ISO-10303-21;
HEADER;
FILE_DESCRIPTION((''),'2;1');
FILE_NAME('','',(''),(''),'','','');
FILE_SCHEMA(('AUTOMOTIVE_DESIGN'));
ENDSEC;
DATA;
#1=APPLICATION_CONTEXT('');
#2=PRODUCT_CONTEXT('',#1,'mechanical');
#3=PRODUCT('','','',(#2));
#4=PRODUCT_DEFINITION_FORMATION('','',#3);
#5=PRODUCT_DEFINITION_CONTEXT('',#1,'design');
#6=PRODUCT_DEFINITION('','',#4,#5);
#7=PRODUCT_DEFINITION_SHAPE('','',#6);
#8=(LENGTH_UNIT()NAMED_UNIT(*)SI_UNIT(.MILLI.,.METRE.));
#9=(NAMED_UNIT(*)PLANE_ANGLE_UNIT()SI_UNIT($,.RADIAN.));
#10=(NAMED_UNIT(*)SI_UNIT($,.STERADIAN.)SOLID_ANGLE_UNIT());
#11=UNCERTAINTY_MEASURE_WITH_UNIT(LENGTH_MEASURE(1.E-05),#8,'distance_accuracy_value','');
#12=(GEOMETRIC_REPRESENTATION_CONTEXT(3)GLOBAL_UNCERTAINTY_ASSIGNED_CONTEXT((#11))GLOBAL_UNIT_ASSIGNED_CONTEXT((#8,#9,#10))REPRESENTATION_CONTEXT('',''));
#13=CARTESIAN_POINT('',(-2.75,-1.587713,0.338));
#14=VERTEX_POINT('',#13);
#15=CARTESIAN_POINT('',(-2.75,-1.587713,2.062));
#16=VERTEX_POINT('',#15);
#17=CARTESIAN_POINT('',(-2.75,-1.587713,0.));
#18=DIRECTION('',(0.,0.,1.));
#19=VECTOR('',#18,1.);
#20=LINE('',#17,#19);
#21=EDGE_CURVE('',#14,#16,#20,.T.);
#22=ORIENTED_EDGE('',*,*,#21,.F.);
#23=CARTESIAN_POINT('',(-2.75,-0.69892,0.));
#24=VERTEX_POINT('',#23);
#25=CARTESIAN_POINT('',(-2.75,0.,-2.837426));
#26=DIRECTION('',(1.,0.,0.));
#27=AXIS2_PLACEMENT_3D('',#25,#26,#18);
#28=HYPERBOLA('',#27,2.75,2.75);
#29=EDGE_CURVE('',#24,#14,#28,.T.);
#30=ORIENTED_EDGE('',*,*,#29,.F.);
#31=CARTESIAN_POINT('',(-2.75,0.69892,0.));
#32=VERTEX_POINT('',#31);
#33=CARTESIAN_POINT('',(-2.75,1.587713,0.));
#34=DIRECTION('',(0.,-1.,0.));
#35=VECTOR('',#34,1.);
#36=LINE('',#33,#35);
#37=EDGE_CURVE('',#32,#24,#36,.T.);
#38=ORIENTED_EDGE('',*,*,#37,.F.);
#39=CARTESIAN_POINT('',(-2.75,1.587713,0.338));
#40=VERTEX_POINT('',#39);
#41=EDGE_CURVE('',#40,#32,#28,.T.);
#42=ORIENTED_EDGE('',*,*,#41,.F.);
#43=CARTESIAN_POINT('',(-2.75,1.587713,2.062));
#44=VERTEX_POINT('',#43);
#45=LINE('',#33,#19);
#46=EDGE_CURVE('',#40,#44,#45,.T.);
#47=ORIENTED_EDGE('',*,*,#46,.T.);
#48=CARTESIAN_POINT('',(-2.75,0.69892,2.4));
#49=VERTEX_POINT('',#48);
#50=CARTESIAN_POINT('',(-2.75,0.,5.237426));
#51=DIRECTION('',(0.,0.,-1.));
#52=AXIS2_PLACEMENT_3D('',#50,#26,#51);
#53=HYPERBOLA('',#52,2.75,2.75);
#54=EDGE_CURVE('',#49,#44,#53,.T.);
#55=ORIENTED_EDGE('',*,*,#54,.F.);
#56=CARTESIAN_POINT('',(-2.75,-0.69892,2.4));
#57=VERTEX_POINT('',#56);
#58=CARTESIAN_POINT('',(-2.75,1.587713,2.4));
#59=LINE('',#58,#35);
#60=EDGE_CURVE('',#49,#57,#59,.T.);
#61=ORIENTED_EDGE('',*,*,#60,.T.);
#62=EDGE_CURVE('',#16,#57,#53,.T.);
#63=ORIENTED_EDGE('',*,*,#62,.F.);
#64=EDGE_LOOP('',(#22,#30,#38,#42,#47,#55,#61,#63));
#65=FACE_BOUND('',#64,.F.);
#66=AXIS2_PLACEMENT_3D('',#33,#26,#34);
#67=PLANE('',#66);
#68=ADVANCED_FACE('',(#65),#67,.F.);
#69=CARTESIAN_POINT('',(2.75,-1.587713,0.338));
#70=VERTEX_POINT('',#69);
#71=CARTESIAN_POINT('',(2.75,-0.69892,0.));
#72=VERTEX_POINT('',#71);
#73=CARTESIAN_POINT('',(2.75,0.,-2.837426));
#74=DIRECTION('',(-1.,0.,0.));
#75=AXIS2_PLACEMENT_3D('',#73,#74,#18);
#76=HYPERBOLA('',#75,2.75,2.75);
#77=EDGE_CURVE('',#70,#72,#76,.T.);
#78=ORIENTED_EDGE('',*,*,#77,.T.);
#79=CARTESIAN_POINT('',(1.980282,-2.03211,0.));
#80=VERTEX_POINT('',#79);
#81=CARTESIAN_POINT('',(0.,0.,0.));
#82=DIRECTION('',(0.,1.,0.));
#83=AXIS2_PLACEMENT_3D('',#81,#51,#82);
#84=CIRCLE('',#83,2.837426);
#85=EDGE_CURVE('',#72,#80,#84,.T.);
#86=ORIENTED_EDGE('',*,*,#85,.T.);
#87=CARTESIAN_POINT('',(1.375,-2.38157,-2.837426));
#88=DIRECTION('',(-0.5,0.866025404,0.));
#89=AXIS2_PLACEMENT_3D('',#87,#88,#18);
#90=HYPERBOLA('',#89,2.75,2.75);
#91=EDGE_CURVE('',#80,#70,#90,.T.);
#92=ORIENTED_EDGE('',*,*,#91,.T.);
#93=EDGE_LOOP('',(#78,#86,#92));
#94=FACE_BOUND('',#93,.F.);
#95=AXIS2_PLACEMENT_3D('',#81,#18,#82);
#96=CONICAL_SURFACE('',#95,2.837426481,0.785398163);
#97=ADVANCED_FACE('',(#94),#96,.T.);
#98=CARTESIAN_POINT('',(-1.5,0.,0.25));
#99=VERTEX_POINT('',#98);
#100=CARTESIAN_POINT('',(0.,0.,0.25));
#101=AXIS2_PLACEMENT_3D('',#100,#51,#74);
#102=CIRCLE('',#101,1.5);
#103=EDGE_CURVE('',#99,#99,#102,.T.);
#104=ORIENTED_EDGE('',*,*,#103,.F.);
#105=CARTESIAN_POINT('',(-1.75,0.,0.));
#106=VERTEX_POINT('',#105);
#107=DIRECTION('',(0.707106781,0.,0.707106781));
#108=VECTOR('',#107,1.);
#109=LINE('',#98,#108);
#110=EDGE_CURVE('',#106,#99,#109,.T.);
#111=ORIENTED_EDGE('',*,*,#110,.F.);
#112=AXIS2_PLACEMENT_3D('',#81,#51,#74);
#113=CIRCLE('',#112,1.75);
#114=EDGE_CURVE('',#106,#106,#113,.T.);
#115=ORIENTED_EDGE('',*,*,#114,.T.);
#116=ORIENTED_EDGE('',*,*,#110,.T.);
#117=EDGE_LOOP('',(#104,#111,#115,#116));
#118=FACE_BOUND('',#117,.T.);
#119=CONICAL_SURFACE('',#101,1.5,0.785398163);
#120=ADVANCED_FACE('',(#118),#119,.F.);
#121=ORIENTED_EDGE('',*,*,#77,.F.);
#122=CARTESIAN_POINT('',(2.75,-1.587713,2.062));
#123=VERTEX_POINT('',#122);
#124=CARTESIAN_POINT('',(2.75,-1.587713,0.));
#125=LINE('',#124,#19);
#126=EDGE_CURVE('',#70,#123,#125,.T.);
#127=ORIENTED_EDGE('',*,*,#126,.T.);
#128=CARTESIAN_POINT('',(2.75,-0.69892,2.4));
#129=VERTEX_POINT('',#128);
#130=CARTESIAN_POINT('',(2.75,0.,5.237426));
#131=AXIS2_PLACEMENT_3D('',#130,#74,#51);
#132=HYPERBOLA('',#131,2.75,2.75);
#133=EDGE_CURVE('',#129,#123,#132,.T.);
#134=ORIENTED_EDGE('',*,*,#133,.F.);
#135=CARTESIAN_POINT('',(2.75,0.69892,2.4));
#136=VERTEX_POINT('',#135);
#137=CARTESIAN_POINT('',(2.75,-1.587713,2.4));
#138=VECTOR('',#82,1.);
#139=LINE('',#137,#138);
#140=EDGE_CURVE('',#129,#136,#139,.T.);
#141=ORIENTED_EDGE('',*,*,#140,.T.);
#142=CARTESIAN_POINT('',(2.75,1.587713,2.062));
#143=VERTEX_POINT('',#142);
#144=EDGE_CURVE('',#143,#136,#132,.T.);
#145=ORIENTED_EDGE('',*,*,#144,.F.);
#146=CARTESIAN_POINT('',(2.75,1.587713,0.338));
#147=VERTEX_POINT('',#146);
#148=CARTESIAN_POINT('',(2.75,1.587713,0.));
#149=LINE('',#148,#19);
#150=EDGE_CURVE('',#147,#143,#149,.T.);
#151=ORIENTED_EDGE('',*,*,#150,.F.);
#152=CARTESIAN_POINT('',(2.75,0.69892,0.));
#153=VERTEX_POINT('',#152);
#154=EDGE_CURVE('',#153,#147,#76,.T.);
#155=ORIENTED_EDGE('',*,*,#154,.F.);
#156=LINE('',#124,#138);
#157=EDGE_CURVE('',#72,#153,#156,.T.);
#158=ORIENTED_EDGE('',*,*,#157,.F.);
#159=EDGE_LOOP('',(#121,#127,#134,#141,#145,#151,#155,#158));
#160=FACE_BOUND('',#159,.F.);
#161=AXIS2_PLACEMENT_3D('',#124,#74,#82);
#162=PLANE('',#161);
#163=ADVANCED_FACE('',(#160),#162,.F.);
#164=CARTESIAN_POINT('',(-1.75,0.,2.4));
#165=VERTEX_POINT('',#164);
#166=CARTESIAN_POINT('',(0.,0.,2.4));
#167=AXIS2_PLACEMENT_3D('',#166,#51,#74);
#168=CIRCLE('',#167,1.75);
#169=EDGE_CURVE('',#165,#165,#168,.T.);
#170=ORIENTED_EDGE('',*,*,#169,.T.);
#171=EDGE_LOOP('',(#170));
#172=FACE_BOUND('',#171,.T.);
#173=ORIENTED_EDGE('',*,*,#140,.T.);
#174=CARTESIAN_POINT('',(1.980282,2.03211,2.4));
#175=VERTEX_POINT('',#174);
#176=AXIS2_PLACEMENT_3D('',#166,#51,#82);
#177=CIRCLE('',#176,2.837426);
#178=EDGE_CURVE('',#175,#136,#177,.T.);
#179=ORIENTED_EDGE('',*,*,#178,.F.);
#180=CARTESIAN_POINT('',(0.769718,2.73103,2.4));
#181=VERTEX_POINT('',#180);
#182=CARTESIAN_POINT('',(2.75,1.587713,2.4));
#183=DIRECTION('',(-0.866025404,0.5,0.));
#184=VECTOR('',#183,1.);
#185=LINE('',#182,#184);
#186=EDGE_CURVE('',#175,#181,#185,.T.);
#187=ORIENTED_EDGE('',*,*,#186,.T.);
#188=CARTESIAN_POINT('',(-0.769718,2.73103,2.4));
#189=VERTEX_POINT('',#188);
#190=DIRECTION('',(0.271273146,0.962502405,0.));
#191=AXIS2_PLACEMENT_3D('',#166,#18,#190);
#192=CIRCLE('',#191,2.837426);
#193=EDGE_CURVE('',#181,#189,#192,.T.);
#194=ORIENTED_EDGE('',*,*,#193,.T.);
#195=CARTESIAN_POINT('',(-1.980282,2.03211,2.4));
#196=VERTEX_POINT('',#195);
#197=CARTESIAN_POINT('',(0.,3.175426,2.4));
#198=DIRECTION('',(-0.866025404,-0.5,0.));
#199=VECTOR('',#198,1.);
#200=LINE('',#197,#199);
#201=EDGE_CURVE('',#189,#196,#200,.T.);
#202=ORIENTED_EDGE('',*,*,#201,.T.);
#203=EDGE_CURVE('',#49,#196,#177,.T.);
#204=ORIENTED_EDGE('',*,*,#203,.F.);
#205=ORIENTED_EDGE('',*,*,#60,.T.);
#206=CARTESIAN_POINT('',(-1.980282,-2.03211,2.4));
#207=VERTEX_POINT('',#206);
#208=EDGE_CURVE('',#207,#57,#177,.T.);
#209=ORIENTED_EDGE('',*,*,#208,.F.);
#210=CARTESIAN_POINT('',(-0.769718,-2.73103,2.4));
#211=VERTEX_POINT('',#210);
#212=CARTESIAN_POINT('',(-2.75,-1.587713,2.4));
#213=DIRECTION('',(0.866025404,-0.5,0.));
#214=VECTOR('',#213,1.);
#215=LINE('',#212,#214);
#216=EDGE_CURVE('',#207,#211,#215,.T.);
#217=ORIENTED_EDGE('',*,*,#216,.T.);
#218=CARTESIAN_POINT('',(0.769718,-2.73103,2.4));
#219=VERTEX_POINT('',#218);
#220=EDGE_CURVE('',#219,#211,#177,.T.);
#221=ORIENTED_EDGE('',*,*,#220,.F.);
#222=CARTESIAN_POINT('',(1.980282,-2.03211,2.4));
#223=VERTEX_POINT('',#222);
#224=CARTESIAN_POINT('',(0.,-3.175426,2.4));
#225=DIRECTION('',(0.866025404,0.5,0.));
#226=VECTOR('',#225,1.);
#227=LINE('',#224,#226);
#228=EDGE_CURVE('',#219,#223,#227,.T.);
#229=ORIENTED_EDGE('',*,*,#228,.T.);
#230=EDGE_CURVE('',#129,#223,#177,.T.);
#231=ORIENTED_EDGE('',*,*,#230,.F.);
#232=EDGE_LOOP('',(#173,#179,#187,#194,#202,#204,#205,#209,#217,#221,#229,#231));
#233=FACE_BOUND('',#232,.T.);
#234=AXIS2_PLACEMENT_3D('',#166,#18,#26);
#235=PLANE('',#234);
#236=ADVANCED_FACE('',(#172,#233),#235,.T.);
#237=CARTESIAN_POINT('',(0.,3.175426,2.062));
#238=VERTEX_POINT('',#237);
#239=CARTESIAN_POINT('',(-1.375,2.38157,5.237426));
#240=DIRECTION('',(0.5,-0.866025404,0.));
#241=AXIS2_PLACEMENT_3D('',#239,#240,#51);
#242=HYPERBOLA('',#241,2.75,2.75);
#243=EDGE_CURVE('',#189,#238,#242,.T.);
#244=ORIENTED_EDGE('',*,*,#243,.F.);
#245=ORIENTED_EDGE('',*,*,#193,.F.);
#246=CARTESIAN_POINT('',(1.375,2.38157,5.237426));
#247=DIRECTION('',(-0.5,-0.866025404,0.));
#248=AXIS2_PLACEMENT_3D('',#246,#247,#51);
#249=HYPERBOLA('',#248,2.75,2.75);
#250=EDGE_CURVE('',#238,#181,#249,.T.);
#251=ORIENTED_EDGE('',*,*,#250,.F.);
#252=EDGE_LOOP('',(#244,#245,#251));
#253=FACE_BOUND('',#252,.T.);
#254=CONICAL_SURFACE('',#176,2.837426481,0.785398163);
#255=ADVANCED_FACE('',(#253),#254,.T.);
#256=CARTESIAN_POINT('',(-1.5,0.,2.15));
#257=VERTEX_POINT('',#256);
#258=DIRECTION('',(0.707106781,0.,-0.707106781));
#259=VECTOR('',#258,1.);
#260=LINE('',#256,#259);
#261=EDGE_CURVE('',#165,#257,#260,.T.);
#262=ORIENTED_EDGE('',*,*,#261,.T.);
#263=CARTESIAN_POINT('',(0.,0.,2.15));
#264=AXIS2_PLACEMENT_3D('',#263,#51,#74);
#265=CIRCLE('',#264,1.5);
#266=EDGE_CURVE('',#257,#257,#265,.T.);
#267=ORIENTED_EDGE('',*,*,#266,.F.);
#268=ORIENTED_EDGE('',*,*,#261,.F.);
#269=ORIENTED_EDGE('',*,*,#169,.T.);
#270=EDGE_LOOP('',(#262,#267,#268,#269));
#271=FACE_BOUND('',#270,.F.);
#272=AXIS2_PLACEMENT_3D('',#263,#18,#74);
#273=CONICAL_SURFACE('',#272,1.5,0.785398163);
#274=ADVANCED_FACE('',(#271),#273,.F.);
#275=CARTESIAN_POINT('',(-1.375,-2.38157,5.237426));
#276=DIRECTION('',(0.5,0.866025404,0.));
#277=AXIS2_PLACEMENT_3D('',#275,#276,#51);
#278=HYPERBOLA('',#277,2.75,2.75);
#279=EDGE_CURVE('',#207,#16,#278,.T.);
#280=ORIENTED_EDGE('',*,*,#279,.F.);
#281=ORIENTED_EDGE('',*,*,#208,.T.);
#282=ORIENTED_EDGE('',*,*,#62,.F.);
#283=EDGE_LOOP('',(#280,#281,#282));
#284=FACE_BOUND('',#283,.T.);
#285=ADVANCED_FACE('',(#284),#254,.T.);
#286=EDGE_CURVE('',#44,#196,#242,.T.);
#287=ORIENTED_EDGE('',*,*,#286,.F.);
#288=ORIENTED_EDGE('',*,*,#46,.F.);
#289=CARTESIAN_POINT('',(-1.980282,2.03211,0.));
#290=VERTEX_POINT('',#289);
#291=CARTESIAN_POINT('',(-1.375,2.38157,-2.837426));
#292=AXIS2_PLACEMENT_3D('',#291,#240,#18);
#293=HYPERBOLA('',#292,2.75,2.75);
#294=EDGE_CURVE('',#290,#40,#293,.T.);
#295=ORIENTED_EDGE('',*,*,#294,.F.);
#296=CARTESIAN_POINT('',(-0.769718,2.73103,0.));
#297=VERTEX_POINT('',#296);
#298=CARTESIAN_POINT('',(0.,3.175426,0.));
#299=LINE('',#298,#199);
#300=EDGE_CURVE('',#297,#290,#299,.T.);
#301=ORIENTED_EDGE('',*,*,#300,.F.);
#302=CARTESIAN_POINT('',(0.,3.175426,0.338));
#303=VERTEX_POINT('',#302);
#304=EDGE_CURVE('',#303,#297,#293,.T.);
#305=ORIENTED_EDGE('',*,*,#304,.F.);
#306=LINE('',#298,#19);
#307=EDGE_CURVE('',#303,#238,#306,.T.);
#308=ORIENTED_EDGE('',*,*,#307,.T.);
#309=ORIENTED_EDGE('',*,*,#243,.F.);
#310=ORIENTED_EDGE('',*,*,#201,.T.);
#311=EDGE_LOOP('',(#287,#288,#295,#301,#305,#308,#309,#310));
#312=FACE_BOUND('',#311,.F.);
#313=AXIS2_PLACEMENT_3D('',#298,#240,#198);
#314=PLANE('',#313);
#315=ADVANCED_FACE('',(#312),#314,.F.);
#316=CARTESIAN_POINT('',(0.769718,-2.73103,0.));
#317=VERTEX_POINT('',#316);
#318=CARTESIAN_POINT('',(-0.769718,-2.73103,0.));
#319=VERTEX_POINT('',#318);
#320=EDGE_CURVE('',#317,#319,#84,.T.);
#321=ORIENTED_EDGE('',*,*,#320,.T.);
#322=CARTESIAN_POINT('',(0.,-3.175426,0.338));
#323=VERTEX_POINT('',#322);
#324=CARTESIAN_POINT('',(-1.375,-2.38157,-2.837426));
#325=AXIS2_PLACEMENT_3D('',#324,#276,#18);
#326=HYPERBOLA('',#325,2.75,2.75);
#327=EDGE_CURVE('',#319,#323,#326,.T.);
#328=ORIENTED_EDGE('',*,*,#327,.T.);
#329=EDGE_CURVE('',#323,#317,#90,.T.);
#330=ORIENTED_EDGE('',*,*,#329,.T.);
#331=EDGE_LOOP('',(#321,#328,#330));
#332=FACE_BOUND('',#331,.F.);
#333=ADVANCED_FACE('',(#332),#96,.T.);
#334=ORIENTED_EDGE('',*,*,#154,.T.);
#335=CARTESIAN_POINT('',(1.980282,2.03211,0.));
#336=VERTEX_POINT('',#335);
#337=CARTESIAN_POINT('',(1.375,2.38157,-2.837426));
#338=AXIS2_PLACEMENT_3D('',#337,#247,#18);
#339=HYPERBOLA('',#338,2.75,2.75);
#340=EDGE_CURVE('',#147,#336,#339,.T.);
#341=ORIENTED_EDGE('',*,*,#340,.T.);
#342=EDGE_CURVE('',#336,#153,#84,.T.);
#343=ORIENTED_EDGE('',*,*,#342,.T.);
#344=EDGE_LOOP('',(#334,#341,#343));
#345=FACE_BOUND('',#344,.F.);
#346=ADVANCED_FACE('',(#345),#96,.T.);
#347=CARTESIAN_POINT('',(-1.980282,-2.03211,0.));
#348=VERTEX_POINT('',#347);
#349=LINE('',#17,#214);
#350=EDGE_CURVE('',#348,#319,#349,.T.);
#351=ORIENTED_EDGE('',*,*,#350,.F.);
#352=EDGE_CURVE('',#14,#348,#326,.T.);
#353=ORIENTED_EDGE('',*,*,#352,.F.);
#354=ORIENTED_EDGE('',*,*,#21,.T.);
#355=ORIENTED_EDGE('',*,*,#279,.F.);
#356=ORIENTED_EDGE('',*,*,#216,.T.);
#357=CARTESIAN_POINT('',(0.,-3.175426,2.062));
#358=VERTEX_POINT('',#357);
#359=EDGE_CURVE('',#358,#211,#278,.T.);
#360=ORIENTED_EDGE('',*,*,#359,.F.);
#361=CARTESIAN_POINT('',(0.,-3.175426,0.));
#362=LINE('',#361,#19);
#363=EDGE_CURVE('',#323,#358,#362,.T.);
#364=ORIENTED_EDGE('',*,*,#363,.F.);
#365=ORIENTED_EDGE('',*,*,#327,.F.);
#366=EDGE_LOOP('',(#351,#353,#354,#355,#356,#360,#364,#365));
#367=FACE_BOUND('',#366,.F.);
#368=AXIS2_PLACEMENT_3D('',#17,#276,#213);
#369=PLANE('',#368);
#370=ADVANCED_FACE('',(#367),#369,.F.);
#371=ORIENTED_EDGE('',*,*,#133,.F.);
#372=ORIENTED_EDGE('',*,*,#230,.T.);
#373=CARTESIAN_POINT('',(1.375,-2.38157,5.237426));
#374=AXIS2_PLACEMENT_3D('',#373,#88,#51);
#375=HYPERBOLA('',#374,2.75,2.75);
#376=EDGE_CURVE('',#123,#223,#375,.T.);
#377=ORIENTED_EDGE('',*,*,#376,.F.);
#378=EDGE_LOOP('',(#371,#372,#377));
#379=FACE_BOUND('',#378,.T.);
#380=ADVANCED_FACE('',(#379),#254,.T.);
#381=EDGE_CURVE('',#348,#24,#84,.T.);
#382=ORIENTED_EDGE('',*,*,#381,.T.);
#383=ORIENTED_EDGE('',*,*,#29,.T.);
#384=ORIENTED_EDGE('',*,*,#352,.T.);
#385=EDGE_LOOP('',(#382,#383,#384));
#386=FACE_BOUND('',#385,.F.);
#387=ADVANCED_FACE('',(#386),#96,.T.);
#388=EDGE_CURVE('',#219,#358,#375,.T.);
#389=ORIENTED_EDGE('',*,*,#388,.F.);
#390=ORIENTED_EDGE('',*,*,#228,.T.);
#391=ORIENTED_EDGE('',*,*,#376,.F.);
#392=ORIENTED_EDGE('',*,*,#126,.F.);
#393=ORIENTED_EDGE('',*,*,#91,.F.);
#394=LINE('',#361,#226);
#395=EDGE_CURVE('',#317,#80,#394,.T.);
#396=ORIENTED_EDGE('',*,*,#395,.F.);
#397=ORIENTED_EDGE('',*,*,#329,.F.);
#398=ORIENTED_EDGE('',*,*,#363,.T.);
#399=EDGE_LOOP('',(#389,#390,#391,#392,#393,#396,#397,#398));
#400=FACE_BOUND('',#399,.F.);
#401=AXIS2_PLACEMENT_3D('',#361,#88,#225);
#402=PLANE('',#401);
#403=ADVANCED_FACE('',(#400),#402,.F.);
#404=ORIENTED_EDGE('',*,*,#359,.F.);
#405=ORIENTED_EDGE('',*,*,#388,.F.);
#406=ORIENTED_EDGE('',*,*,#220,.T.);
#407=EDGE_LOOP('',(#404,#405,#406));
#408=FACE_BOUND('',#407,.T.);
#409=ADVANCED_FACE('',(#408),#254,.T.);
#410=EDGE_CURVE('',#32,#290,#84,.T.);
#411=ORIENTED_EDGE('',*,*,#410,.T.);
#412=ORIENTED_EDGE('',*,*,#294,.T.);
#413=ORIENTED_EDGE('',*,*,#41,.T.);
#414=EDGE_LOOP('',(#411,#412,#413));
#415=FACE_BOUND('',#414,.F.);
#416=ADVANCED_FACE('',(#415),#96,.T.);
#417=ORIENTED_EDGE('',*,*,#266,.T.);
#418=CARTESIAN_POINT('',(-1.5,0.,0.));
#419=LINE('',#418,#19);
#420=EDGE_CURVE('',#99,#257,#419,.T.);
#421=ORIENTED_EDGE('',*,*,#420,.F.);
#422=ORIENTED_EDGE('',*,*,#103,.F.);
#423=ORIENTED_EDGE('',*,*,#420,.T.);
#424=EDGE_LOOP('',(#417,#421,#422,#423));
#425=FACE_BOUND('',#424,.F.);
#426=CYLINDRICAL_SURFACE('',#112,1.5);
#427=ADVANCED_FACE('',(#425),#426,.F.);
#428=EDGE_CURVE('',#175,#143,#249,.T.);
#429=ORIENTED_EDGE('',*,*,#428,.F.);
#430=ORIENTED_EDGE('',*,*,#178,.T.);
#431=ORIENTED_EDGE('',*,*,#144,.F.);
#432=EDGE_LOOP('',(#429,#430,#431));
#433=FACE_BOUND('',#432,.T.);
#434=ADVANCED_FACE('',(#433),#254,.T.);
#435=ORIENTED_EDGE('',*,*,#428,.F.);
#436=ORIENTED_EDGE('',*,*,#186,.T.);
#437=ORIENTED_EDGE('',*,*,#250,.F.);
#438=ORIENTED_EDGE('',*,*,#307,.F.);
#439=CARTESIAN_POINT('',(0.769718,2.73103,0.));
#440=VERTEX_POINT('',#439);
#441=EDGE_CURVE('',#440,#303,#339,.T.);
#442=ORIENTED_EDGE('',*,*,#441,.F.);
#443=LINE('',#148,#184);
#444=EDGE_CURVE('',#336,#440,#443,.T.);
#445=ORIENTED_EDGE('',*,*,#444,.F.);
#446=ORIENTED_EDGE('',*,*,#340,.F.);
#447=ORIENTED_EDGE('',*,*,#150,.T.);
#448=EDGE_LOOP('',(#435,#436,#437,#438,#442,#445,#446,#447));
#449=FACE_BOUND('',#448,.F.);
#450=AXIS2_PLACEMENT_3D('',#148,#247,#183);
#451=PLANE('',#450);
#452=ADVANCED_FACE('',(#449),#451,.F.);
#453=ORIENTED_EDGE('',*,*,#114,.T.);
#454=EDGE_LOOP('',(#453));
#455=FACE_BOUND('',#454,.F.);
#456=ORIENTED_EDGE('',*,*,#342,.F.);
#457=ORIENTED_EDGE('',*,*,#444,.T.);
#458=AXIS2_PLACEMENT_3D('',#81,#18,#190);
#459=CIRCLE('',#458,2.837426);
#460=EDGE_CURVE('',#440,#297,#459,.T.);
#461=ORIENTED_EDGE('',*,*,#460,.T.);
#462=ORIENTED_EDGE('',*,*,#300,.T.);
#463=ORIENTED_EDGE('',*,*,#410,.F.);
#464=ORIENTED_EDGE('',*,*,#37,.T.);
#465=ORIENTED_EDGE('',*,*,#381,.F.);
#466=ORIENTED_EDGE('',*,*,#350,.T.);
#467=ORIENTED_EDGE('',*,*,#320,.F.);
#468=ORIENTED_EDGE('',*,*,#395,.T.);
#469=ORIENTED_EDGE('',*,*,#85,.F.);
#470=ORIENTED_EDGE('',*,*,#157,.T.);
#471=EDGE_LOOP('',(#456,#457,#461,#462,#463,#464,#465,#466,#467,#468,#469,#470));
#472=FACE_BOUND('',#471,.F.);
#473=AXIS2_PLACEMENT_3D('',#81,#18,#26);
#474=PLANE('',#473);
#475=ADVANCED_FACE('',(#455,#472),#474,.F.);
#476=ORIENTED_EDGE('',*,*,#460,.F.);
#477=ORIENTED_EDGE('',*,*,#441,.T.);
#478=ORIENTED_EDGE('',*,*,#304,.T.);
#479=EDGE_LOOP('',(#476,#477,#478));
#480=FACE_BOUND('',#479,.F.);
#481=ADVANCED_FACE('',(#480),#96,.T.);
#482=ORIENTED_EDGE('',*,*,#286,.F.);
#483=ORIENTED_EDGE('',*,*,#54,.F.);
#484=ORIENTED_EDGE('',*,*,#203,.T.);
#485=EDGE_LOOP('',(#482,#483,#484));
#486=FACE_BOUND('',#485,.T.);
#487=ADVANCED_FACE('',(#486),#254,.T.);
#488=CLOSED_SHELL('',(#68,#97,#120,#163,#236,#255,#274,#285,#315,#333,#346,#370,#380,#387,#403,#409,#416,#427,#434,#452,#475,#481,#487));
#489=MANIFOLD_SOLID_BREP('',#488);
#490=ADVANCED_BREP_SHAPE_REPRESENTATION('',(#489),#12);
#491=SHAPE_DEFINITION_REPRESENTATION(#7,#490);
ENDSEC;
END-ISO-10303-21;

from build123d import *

# Parameters (mm, degrees)
EXTRUDE_1_DEPTH     = 2.4
SKETCH_2_R          = 1.5
CUT_EXTRUDE_1_DEPTH = 5.837957558
CHAMFER_1_SIZE      = 0.25


with BuildPart() as part:
    # Эскиз1 → Вытянуть1 (new body)
    with BuildSketch(Plane.XY):
        Polygon((0, 3.175426481), (-2.75, 1.58771324), (-2.75, -1.58771324), (0, -3.175426481), (2.75, -1.58771324), (2.75, 1.58771324), align=None)
    extrude(amount=EXTRUDE_1_DEPTH)

    # Эскиз15 → Вырез-Повернуть1 (revolve, cut)
    with BuildSketch(Plane(origin=(0, 0, 0), x_dir=(0, 0, -1), z_dir=(1, 0, 0))):
        Polygon((-2.4, 3.175426481), (-2.4, 2.837426481), (-2.062, 3.175426481), align=None)
        Polygon((-0.338, 3.175426481), (0, 3.175426481), (0, 2.837426481), align=None)
    revolve(axis=Axis((0, 0, 2.633835381), (0, 0, -1)), mode=Mode.SUBTRACT)

    # Эскиз2 → Вырез-Вытянуть1 (cut, through all)
    with BuildSketch(Plane(origin=(0, 0, 0), x_dir=(-1, 0, 0), z_dir=(0, 0, -1))):
        Circle(SKETCH_2_R)
    extrude(amount=-CUT_EXTRUDE_1_DEPTH, mode=Mode.SUBTRACT)

    # Фаска1
    chamfer_1_edges = [part.edges().sort_by_distance(p)[0] for p in [
        (1.5, 0, 2.4),
        (1.5, 0, 0),
    ]]
    chamfer(chamfer_1_edges, length=CHAMFER_1_SIZE)


solid = part.part
